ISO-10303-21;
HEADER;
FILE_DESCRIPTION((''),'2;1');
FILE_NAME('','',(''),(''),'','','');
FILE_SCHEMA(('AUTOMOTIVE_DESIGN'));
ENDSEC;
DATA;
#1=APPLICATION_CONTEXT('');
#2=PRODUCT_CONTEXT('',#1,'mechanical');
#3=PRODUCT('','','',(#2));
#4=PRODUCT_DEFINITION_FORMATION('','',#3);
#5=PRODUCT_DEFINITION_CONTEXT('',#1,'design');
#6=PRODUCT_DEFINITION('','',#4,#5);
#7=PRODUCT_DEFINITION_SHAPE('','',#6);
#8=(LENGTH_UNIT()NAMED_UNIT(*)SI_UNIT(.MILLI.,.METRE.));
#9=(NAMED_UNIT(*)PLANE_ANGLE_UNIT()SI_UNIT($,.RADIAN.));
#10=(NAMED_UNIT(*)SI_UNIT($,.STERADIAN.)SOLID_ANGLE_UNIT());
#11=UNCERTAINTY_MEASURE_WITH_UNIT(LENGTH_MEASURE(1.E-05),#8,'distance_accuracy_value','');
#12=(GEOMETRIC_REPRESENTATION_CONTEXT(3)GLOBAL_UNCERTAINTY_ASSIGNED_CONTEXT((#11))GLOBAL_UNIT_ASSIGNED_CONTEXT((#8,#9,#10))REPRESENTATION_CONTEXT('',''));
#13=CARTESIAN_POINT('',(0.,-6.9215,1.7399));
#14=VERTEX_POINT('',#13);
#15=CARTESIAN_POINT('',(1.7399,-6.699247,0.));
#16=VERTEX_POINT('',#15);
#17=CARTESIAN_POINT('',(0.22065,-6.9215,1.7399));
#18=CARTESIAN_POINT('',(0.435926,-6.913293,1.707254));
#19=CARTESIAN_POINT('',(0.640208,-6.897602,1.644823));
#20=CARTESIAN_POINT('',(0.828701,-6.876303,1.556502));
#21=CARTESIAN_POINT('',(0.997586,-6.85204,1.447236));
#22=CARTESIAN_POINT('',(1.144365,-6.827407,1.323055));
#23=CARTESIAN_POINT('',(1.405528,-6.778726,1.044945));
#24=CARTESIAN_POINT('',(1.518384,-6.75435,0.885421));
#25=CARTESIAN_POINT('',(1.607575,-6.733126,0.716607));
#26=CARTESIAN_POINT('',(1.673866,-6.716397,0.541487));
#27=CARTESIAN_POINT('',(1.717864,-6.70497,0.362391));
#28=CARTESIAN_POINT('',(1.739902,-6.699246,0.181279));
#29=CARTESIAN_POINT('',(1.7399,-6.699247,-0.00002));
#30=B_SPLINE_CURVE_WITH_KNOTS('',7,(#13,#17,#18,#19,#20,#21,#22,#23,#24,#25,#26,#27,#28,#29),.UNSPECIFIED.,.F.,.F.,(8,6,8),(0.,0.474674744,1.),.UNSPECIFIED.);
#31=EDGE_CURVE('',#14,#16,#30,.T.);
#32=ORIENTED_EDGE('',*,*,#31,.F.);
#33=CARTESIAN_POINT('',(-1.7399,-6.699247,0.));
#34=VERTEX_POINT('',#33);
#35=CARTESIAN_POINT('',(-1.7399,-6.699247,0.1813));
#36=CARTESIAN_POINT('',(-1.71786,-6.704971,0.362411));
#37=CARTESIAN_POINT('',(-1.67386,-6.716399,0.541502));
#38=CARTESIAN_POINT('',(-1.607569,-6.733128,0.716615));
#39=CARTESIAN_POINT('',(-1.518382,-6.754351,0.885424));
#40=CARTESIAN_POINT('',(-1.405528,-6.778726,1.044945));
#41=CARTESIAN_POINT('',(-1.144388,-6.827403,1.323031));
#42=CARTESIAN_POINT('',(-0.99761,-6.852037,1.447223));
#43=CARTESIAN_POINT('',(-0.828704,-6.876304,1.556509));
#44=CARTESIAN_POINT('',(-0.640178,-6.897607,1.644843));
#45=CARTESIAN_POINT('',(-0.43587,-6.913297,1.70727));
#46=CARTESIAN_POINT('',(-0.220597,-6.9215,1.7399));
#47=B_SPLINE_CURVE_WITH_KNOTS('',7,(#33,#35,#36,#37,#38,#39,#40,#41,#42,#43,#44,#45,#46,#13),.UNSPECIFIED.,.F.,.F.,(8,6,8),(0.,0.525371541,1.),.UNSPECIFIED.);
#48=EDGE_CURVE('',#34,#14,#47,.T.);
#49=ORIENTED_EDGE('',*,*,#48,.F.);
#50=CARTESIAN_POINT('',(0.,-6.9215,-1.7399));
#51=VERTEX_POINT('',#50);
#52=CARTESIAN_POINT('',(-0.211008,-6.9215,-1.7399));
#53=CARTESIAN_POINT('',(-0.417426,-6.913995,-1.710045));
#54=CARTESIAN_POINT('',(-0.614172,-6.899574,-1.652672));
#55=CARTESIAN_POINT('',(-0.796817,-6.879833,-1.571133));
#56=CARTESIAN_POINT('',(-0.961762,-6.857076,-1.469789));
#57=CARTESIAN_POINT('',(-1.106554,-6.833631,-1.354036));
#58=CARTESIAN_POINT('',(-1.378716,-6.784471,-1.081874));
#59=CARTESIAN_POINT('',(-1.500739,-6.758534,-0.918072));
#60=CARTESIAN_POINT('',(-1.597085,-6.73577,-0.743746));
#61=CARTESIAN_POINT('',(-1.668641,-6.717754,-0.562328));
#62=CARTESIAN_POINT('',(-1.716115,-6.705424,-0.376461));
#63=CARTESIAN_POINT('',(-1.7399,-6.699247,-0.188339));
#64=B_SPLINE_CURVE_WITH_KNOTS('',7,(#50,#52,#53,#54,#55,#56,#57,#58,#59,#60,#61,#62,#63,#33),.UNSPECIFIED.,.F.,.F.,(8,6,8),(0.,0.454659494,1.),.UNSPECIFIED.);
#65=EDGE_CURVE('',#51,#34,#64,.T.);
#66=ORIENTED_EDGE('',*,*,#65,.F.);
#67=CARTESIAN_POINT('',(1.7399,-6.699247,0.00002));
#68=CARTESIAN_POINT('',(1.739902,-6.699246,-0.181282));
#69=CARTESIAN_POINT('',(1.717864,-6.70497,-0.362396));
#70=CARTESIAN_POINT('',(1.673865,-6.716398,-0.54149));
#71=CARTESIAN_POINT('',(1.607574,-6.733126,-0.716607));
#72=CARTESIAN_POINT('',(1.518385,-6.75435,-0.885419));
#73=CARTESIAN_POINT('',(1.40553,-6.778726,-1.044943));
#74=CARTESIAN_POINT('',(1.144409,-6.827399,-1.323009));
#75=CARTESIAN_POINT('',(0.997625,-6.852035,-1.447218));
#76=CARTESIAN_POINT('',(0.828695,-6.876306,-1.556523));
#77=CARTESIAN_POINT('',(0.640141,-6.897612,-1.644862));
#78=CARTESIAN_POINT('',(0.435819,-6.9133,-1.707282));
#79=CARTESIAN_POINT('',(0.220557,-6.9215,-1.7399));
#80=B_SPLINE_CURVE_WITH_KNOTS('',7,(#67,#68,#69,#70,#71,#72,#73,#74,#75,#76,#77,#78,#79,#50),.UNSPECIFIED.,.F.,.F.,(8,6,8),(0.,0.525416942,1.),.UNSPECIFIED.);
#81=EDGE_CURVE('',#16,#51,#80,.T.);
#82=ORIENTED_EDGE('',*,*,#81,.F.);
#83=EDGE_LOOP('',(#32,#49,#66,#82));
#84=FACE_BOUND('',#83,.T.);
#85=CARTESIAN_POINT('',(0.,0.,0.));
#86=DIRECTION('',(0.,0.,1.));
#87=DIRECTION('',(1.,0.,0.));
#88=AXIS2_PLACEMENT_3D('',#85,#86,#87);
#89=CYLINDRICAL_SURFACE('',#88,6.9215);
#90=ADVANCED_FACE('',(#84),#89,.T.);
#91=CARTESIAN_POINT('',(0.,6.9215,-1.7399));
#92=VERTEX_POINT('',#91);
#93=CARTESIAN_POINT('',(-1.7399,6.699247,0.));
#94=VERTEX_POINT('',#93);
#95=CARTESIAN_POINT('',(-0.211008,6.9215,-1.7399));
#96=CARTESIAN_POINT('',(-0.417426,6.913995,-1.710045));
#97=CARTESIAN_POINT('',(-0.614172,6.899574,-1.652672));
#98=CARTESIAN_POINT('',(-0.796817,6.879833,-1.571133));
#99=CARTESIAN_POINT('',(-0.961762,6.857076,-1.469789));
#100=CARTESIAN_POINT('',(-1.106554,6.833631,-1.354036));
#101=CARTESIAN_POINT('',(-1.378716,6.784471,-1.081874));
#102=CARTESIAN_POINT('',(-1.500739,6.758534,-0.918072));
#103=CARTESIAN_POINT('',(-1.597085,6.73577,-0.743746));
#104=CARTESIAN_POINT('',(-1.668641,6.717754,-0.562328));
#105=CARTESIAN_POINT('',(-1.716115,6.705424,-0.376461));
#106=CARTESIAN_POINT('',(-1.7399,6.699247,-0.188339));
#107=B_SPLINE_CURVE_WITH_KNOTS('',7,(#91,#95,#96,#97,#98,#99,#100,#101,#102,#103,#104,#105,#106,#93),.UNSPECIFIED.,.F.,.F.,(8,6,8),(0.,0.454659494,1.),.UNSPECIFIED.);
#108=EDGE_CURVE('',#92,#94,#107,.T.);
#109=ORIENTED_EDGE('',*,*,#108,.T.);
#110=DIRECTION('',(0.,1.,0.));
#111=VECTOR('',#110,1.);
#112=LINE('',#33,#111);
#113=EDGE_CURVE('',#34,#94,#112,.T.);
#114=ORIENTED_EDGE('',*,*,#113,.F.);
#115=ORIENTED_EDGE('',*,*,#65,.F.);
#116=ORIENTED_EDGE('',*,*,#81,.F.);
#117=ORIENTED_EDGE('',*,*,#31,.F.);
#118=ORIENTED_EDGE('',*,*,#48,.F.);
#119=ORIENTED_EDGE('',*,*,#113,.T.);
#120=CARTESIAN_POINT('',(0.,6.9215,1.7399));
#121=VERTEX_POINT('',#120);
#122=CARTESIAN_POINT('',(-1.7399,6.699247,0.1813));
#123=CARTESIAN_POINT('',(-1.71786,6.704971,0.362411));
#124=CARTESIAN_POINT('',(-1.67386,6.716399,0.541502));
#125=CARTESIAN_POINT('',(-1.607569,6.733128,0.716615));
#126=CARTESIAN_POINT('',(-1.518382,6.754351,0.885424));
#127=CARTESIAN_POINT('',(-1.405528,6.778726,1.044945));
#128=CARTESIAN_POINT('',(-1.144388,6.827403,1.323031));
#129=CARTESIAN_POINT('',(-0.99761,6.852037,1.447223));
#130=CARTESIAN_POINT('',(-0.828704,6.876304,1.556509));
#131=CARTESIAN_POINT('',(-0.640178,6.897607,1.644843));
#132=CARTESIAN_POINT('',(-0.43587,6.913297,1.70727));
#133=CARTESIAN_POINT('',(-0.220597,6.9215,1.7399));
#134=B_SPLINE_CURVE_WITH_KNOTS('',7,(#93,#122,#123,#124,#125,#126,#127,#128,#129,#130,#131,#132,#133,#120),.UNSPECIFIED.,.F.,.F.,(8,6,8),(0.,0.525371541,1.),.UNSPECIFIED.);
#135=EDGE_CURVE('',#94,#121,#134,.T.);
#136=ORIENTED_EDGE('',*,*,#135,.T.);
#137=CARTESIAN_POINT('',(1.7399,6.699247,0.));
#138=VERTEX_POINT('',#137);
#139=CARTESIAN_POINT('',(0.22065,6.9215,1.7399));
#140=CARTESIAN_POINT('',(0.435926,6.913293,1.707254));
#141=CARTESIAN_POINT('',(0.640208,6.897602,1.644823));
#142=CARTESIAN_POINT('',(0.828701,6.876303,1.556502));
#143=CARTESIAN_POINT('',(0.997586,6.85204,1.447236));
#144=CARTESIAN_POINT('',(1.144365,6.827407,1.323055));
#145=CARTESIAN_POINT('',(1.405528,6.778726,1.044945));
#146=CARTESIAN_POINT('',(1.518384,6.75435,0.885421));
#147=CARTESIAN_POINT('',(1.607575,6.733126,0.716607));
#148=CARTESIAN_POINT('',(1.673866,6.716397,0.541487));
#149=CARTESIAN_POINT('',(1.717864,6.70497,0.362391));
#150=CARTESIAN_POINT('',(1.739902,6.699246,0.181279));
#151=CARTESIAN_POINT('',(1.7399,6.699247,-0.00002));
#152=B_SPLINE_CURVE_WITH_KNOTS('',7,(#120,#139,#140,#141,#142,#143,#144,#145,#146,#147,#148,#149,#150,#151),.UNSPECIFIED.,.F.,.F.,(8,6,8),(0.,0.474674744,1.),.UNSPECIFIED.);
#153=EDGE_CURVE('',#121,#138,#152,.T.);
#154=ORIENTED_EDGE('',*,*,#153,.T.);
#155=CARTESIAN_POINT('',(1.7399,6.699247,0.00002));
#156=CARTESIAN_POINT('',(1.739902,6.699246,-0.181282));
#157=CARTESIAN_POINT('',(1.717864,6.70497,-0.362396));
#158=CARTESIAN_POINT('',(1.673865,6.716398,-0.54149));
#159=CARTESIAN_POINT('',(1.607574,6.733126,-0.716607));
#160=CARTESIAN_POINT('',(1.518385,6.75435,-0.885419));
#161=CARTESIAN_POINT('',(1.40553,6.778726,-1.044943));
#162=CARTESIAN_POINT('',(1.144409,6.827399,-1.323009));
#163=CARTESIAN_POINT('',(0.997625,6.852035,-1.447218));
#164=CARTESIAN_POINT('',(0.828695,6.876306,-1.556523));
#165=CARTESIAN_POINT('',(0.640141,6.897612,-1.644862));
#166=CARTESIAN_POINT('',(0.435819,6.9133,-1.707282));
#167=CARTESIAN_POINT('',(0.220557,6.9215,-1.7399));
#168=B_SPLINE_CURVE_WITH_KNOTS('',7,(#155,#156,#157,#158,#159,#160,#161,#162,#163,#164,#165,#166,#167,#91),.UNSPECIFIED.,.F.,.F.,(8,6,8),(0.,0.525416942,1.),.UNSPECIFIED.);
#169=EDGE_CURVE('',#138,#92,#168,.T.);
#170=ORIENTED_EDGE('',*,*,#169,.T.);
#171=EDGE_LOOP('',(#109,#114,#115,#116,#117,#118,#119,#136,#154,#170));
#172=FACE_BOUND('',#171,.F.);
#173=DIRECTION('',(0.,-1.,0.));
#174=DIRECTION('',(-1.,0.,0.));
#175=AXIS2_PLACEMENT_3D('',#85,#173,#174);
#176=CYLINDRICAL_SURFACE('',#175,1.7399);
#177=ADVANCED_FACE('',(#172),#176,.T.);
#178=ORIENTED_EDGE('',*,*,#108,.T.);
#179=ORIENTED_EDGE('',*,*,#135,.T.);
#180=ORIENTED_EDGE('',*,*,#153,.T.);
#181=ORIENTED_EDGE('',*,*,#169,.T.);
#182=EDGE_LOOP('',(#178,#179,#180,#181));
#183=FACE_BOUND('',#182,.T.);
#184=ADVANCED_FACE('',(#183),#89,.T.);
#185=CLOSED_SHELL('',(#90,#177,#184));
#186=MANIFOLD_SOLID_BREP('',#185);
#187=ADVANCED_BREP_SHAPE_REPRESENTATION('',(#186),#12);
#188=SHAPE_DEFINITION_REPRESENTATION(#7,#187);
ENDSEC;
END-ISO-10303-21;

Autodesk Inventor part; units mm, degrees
ref_plane "YZ Plane" through (0, 0, 0) normal (1, 0, 0) x (0, 1, 0)
ref_plane "XZ Plane" through (0, 0, 0) normal (0, 1, 0) x (-1, 0, 0)
ref_plane "XY Plane" through (0, 0, 0) normal (0, 0, 1) x (1, 0, 0)
sketch "Sketch1" plane through (0, 0, 0) normal (0, 1, 0) x (-1, 0, 0)
  circle A0 centre (0, 0) radius 1.7399
  dimension "d0" = 3.4798
extrude "Extrusion1" add sketch "Sketch1" along normal mid plane 13.843
sketch "Sketch2" plane through (0, 0, 0) normal (0, 0, 1) x (1, 0, 0)
  line L0 (-1.7399, -6.9215) -> (1.7399, -6.9215) projected
  line L1 (1.7399, 6.9215) -> (-1.7399, 6.9215) projected
  line L2 (0, 6.9215) -> (0, -6.9215)
  circle A0 centre (0, 0) radius 6.9215
  circle A1 centre (0, 0) radius 7.1368
extrude "Extrusion2" cut sketch "Sketch2" along normal through all both and the other way through all contours A1 L1 A0 L0 | L0 A1 | A0 L1 A1 L0 | A1 L1
properties part number "Piston Pin"
